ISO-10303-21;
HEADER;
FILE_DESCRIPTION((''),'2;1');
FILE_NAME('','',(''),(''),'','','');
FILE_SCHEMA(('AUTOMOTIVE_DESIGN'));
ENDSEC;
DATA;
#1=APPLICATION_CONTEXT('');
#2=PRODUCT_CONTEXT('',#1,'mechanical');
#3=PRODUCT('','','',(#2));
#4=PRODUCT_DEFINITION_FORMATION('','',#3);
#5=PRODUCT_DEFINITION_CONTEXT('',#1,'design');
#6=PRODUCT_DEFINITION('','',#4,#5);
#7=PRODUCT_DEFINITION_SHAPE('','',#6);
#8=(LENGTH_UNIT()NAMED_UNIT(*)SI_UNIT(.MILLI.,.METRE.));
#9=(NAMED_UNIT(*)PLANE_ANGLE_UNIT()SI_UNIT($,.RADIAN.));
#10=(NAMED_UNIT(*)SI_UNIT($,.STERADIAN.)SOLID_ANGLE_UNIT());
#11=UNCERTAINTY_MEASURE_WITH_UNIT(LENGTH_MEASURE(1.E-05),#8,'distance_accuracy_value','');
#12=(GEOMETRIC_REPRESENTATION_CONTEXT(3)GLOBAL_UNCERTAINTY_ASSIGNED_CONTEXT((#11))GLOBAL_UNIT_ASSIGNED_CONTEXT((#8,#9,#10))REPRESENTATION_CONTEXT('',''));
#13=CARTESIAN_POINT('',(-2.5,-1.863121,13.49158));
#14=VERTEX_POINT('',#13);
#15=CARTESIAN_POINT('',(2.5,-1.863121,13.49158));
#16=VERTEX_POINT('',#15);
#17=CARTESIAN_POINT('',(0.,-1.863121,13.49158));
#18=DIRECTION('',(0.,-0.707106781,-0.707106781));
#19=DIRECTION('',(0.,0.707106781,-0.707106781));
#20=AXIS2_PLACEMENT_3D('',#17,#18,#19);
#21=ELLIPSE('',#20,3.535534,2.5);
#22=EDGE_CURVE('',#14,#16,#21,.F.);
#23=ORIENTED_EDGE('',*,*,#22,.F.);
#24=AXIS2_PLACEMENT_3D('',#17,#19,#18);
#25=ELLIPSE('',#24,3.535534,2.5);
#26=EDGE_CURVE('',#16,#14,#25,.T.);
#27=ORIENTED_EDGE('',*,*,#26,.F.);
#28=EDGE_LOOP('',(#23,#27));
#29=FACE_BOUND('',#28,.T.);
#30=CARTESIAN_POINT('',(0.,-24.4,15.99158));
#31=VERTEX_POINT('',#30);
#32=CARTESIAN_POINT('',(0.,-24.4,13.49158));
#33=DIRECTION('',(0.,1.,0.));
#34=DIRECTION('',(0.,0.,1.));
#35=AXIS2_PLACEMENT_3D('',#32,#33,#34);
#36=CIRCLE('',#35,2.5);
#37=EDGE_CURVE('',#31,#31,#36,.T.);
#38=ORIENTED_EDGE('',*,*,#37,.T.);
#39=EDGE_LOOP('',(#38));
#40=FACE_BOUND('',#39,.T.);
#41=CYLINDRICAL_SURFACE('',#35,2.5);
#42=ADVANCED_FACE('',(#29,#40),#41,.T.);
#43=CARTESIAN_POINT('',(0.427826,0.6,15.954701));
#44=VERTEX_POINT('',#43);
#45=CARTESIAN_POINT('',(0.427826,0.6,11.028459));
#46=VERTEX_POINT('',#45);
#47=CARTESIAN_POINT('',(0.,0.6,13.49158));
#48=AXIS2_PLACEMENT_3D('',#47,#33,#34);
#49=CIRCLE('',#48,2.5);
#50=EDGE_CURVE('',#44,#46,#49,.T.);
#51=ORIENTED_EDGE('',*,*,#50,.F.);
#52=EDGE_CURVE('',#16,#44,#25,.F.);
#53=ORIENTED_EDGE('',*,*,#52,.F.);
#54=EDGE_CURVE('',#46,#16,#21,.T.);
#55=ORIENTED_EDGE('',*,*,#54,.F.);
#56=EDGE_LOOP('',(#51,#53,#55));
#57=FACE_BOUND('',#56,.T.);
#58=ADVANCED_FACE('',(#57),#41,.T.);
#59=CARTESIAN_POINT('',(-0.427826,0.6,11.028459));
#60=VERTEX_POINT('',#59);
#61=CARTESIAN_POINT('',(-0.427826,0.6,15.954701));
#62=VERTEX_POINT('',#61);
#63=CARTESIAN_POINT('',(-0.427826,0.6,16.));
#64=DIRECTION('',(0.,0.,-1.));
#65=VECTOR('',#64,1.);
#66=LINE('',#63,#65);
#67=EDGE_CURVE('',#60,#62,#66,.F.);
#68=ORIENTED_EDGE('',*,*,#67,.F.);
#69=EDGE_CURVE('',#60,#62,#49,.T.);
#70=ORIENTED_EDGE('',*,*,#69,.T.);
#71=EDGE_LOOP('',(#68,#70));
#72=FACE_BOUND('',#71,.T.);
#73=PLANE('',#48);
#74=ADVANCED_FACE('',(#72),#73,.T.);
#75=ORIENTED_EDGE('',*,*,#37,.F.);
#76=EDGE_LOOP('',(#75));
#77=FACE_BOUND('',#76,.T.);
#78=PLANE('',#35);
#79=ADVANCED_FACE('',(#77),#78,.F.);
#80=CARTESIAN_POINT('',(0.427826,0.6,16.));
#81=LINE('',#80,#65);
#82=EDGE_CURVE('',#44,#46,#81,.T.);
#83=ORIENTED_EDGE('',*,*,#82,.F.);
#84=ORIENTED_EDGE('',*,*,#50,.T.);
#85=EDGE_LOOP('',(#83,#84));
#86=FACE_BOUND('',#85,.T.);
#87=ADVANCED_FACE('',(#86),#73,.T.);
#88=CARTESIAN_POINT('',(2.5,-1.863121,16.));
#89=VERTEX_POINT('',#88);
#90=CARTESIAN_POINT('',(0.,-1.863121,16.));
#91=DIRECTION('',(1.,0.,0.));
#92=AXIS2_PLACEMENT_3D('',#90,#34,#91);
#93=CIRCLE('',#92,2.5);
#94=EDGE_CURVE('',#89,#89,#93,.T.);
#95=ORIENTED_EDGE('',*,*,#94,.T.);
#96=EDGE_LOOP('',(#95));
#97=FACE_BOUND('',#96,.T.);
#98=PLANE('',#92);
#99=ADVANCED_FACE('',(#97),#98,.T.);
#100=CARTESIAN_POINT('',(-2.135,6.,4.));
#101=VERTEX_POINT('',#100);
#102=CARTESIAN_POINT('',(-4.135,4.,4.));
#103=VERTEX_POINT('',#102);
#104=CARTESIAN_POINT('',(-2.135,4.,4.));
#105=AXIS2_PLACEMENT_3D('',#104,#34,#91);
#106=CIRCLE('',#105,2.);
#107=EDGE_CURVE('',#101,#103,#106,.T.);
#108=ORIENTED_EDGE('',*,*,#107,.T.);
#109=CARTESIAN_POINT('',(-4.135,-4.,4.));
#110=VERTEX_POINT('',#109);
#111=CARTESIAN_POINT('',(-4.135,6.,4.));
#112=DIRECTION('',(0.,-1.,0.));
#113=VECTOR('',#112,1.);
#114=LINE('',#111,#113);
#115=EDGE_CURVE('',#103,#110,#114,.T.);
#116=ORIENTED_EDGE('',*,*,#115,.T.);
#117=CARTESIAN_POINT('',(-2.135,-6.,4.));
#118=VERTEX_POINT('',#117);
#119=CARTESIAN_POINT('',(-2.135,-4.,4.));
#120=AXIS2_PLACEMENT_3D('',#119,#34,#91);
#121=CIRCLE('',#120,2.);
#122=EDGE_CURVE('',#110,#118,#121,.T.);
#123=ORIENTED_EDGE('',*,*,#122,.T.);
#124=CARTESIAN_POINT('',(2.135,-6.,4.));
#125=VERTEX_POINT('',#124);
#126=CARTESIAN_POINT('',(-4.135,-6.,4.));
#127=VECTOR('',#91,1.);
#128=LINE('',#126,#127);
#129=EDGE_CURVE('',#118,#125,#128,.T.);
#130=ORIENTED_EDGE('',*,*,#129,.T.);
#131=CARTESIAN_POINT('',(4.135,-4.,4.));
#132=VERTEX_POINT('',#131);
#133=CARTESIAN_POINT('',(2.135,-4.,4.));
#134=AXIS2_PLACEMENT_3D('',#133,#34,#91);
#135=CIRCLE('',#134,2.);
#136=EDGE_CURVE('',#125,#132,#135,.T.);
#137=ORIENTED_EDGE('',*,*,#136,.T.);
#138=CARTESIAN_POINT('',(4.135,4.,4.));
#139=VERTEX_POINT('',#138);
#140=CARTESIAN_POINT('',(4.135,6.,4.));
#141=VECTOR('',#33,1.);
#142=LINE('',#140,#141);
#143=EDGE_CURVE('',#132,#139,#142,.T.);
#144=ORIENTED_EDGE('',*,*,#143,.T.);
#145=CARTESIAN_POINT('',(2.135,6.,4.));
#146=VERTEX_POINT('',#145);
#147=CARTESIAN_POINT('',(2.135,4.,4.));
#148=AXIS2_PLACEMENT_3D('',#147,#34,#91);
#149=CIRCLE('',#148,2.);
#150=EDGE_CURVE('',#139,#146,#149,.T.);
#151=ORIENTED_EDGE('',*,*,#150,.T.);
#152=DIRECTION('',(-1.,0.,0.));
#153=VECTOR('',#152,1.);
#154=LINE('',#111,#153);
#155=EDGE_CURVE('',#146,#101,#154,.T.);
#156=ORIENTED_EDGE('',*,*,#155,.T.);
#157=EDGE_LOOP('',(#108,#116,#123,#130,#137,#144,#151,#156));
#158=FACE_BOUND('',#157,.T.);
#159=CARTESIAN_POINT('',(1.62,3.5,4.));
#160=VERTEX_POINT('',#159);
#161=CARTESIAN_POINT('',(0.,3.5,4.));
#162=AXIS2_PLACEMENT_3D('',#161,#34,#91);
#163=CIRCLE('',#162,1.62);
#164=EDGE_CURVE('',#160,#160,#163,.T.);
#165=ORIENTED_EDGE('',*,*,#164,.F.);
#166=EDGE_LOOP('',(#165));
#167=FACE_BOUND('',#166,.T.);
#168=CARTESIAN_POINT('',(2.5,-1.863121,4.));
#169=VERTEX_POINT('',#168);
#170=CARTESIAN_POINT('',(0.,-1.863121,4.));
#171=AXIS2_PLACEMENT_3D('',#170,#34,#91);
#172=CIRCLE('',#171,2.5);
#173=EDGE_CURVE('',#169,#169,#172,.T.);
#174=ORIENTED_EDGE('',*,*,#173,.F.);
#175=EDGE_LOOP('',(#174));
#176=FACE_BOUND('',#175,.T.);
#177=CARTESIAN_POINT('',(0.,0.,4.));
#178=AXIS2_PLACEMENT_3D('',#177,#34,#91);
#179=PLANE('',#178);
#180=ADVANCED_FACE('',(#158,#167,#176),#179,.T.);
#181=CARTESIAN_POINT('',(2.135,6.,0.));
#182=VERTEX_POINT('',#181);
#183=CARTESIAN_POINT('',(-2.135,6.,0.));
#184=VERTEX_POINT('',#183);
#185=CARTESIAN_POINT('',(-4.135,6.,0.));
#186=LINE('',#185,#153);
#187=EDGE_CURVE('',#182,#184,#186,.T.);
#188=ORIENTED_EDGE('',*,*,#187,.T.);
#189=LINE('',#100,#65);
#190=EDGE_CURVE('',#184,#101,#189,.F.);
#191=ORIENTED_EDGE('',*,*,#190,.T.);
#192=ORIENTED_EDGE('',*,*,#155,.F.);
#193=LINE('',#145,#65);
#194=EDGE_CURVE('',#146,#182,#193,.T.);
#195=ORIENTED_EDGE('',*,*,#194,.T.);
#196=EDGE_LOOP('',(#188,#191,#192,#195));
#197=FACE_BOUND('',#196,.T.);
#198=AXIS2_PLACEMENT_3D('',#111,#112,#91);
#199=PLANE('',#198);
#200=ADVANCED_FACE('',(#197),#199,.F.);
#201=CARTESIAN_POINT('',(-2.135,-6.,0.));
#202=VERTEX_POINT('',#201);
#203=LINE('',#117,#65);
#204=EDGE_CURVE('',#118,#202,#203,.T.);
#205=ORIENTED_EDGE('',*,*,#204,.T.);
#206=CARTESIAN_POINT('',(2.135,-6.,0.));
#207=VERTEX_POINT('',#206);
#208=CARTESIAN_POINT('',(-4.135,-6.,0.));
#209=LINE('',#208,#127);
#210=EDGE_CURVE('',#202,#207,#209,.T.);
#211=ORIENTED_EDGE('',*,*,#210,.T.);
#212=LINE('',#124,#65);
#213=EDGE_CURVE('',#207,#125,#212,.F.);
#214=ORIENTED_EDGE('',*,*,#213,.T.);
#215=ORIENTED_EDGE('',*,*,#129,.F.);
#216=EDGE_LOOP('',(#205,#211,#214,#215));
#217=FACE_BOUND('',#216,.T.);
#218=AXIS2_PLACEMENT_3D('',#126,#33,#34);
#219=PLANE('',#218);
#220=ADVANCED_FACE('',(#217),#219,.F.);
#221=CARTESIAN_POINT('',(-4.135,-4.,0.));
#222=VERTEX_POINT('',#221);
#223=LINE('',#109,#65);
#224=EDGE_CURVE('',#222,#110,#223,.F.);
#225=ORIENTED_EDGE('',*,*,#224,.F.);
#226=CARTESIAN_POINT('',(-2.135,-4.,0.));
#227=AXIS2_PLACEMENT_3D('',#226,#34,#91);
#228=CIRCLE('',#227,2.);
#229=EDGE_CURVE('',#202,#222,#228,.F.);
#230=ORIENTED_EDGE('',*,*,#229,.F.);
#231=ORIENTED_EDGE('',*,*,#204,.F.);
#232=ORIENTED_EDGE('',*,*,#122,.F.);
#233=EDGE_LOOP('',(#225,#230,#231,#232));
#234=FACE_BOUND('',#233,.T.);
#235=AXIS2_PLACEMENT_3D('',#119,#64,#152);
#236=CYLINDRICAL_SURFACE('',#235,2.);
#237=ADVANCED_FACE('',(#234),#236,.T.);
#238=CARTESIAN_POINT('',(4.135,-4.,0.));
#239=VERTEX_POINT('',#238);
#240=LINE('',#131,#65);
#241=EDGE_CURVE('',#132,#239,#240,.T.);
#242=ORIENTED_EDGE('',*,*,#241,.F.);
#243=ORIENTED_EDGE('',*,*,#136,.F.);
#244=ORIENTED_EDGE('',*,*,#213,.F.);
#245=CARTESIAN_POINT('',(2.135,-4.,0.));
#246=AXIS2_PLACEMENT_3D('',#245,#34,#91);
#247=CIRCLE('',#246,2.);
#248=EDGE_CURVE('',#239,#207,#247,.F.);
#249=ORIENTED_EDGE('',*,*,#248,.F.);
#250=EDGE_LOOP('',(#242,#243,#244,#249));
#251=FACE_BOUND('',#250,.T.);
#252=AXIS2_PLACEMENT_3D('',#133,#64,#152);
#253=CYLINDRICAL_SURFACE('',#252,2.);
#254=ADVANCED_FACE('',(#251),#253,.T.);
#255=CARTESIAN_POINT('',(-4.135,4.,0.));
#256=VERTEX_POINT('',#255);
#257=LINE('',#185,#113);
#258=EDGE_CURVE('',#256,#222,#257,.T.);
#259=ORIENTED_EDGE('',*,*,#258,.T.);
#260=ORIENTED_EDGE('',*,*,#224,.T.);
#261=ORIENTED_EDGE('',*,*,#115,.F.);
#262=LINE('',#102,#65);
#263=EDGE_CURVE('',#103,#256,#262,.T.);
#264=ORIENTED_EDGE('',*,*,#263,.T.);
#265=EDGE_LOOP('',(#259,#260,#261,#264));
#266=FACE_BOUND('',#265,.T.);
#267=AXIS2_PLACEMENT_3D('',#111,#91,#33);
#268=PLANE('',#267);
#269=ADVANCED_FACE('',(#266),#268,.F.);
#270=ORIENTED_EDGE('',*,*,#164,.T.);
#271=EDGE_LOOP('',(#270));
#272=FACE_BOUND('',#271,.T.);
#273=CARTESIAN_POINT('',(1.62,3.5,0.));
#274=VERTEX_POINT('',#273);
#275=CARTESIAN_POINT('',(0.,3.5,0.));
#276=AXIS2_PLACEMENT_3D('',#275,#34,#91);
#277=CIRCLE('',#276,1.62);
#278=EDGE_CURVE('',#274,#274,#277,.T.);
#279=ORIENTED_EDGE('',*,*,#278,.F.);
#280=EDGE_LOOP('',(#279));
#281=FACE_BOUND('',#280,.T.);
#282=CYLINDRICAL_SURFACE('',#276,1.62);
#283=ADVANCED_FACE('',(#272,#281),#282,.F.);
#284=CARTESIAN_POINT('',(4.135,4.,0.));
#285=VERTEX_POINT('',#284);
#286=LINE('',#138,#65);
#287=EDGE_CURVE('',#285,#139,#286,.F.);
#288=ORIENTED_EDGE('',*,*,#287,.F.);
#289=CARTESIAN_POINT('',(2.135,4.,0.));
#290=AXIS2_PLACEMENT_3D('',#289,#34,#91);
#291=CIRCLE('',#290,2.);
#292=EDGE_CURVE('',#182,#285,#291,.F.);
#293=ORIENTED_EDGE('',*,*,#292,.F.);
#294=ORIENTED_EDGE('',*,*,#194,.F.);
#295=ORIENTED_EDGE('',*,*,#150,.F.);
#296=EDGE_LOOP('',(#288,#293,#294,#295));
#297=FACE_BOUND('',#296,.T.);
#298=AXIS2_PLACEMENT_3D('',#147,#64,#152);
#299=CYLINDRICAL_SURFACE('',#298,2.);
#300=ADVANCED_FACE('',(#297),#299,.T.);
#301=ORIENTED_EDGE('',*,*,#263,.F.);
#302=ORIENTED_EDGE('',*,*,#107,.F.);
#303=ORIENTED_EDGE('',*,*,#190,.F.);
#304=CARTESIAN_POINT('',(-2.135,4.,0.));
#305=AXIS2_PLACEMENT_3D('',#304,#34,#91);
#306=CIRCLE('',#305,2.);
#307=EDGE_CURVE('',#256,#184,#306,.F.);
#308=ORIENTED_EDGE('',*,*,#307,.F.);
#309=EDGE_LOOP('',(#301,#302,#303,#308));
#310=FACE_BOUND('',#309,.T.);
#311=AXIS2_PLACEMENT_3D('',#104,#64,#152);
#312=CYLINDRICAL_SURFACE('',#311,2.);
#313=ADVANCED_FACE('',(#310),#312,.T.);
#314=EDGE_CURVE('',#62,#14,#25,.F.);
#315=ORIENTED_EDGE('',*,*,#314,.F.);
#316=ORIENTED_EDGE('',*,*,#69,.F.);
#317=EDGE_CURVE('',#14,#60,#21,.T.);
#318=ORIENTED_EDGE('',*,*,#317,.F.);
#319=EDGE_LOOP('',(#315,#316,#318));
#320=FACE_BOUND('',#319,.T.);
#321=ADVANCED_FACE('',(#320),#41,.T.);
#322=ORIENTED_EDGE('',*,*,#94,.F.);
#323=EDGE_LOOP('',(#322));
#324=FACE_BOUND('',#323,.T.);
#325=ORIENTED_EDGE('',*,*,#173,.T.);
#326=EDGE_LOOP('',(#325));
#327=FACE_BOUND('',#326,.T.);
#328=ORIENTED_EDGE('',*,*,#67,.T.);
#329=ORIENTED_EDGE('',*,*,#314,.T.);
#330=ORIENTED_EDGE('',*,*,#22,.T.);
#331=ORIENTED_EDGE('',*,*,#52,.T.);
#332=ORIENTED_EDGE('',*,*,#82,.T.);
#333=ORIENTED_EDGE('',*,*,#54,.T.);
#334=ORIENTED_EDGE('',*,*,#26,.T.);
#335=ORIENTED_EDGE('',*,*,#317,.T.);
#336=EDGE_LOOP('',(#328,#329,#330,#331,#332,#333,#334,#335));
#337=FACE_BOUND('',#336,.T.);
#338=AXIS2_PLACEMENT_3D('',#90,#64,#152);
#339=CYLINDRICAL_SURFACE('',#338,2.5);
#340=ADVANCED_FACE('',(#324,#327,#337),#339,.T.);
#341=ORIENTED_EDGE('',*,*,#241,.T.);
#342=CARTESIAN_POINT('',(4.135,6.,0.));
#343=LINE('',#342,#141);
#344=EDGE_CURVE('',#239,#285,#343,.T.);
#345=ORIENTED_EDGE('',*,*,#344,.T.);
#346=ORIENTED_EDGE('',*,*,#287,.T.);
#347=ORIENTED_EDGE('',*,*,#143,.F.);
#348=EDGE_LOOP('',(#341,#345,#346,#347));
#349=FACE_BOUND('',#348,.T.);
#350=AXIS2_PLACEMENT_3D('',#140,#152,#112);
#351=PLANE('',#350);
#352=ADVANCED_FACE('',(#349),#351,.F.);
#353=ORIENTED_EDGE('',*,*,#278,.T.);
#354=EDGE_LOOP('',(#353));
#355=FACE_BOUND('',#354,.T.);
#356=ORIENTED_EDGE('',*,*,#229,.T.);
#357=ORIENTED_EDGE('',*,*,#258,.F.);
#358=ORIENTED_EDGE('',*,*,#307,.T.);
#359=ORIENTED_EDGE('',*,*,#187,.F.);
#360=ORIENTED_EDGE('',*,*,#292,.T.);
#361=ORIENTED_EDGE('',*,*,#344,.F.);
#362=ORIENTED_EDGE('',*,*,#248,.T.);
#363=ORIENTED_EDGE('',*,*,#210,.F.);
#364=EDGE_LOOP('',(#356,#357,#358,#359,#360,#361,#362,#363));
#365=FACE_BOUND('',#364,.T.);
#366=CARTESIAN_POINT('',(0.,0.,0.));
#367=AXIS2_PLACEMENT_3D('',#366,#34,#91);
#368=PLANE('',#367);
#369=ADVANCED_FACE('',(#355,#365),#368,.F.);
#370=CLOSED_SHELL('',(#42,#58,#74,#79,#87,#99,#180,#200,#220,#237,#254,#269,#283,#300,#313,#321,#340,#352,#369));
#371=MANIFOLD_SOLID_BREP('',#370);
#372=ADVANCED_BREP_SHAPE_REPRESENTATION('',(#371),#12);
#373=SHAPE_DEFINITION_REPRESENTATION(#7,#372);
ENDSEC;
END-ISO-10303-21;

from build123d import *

# Parameters (mm, degrees)
SCHIZZO1_W                   = 8.27
SCHIZZO1_H                   = 12
ESTRUSIONE_ESTRUSIONE1_DEPTH = 4
RACCORDO1_R                  = 2
RACCORDO2_R                  = 2
SCHIZZO3_R                   = 1.62
TAGLIO_ESTRUSIONE1_DEPTH     = 4
SCHIZZO4_R                   = 2.5
ESTRUSIONE_ESTRUSIONE2_DEPTH = 12
SCHIZZO5_R                   = 2.5
ESTRUSIONE_ESTRUSIONE3_DEPTH = 25


with BuildPart() as part:
    # Schizzo1 → Estrusione-Estrusione1 (new body)
    with BuildSketch(Plane.XY):
        Rectangle(SCHIZZO1_W, SCHIZZO1_H)
    extrude(amount=ESTRUSIONE_ESTRUSIONE1_DEPTH)

    # Raccordo1
    raccordo1_edges = [part.edges().sort_by_distance(p)[0] for p in [
        (4.135, 6, 2),
    ]]
    fillet(raccordo1_edges, radius=RACCORDO1_R)

    # Raccordo2
    raccordo2_edges = [part.edges().sort_by_distance(p)[0] for p in [
        (4.135, -6, 2),
        (-4.135, -6, 2),
        (-4.135, 6, 2),
    ]]
    fillet(raccordo2_edges, radius=RACCORDO2_R)

    # Schizzo3 → Taglio-Estrusione1 (cut)
    with BuildSketch(Plane.XY.offset(4)):
        with Locations((0, 3.5)):
            Circle(SCHIZZO3_R)
    extrude(amount=-TAGLIO_ESTRUSIONE1_DEPTH, mode=Mode.SUBTRACT)

    # Schizzo4 → Estrusione-Estrusione2 (add)
    with BuildSketch(Plane.XY.offset(4)):
        with Locations((0, -1.86312089)):
            Circle(SCHIZZO4_R)
    extrude(amount=ESTRUSIONE_ESTRUSIONE2_DEPTH)

    # Schizzo5 → Estrusione-Estrusione3 (add)
    with BuildSketch(Plane(origin=(0, 0.6, 0), x_dir=(1, 0, 0), z_dir=(0, 1, 0))):
        with Locations(Location((0, -13.4915802, 0), (0, 0, 270))):
            Circle(SCHIZZO5_R)
    extrude(amount=-ESTRUSIONE_ESTRUSIONE3_DEPTH)


solid = part.part
